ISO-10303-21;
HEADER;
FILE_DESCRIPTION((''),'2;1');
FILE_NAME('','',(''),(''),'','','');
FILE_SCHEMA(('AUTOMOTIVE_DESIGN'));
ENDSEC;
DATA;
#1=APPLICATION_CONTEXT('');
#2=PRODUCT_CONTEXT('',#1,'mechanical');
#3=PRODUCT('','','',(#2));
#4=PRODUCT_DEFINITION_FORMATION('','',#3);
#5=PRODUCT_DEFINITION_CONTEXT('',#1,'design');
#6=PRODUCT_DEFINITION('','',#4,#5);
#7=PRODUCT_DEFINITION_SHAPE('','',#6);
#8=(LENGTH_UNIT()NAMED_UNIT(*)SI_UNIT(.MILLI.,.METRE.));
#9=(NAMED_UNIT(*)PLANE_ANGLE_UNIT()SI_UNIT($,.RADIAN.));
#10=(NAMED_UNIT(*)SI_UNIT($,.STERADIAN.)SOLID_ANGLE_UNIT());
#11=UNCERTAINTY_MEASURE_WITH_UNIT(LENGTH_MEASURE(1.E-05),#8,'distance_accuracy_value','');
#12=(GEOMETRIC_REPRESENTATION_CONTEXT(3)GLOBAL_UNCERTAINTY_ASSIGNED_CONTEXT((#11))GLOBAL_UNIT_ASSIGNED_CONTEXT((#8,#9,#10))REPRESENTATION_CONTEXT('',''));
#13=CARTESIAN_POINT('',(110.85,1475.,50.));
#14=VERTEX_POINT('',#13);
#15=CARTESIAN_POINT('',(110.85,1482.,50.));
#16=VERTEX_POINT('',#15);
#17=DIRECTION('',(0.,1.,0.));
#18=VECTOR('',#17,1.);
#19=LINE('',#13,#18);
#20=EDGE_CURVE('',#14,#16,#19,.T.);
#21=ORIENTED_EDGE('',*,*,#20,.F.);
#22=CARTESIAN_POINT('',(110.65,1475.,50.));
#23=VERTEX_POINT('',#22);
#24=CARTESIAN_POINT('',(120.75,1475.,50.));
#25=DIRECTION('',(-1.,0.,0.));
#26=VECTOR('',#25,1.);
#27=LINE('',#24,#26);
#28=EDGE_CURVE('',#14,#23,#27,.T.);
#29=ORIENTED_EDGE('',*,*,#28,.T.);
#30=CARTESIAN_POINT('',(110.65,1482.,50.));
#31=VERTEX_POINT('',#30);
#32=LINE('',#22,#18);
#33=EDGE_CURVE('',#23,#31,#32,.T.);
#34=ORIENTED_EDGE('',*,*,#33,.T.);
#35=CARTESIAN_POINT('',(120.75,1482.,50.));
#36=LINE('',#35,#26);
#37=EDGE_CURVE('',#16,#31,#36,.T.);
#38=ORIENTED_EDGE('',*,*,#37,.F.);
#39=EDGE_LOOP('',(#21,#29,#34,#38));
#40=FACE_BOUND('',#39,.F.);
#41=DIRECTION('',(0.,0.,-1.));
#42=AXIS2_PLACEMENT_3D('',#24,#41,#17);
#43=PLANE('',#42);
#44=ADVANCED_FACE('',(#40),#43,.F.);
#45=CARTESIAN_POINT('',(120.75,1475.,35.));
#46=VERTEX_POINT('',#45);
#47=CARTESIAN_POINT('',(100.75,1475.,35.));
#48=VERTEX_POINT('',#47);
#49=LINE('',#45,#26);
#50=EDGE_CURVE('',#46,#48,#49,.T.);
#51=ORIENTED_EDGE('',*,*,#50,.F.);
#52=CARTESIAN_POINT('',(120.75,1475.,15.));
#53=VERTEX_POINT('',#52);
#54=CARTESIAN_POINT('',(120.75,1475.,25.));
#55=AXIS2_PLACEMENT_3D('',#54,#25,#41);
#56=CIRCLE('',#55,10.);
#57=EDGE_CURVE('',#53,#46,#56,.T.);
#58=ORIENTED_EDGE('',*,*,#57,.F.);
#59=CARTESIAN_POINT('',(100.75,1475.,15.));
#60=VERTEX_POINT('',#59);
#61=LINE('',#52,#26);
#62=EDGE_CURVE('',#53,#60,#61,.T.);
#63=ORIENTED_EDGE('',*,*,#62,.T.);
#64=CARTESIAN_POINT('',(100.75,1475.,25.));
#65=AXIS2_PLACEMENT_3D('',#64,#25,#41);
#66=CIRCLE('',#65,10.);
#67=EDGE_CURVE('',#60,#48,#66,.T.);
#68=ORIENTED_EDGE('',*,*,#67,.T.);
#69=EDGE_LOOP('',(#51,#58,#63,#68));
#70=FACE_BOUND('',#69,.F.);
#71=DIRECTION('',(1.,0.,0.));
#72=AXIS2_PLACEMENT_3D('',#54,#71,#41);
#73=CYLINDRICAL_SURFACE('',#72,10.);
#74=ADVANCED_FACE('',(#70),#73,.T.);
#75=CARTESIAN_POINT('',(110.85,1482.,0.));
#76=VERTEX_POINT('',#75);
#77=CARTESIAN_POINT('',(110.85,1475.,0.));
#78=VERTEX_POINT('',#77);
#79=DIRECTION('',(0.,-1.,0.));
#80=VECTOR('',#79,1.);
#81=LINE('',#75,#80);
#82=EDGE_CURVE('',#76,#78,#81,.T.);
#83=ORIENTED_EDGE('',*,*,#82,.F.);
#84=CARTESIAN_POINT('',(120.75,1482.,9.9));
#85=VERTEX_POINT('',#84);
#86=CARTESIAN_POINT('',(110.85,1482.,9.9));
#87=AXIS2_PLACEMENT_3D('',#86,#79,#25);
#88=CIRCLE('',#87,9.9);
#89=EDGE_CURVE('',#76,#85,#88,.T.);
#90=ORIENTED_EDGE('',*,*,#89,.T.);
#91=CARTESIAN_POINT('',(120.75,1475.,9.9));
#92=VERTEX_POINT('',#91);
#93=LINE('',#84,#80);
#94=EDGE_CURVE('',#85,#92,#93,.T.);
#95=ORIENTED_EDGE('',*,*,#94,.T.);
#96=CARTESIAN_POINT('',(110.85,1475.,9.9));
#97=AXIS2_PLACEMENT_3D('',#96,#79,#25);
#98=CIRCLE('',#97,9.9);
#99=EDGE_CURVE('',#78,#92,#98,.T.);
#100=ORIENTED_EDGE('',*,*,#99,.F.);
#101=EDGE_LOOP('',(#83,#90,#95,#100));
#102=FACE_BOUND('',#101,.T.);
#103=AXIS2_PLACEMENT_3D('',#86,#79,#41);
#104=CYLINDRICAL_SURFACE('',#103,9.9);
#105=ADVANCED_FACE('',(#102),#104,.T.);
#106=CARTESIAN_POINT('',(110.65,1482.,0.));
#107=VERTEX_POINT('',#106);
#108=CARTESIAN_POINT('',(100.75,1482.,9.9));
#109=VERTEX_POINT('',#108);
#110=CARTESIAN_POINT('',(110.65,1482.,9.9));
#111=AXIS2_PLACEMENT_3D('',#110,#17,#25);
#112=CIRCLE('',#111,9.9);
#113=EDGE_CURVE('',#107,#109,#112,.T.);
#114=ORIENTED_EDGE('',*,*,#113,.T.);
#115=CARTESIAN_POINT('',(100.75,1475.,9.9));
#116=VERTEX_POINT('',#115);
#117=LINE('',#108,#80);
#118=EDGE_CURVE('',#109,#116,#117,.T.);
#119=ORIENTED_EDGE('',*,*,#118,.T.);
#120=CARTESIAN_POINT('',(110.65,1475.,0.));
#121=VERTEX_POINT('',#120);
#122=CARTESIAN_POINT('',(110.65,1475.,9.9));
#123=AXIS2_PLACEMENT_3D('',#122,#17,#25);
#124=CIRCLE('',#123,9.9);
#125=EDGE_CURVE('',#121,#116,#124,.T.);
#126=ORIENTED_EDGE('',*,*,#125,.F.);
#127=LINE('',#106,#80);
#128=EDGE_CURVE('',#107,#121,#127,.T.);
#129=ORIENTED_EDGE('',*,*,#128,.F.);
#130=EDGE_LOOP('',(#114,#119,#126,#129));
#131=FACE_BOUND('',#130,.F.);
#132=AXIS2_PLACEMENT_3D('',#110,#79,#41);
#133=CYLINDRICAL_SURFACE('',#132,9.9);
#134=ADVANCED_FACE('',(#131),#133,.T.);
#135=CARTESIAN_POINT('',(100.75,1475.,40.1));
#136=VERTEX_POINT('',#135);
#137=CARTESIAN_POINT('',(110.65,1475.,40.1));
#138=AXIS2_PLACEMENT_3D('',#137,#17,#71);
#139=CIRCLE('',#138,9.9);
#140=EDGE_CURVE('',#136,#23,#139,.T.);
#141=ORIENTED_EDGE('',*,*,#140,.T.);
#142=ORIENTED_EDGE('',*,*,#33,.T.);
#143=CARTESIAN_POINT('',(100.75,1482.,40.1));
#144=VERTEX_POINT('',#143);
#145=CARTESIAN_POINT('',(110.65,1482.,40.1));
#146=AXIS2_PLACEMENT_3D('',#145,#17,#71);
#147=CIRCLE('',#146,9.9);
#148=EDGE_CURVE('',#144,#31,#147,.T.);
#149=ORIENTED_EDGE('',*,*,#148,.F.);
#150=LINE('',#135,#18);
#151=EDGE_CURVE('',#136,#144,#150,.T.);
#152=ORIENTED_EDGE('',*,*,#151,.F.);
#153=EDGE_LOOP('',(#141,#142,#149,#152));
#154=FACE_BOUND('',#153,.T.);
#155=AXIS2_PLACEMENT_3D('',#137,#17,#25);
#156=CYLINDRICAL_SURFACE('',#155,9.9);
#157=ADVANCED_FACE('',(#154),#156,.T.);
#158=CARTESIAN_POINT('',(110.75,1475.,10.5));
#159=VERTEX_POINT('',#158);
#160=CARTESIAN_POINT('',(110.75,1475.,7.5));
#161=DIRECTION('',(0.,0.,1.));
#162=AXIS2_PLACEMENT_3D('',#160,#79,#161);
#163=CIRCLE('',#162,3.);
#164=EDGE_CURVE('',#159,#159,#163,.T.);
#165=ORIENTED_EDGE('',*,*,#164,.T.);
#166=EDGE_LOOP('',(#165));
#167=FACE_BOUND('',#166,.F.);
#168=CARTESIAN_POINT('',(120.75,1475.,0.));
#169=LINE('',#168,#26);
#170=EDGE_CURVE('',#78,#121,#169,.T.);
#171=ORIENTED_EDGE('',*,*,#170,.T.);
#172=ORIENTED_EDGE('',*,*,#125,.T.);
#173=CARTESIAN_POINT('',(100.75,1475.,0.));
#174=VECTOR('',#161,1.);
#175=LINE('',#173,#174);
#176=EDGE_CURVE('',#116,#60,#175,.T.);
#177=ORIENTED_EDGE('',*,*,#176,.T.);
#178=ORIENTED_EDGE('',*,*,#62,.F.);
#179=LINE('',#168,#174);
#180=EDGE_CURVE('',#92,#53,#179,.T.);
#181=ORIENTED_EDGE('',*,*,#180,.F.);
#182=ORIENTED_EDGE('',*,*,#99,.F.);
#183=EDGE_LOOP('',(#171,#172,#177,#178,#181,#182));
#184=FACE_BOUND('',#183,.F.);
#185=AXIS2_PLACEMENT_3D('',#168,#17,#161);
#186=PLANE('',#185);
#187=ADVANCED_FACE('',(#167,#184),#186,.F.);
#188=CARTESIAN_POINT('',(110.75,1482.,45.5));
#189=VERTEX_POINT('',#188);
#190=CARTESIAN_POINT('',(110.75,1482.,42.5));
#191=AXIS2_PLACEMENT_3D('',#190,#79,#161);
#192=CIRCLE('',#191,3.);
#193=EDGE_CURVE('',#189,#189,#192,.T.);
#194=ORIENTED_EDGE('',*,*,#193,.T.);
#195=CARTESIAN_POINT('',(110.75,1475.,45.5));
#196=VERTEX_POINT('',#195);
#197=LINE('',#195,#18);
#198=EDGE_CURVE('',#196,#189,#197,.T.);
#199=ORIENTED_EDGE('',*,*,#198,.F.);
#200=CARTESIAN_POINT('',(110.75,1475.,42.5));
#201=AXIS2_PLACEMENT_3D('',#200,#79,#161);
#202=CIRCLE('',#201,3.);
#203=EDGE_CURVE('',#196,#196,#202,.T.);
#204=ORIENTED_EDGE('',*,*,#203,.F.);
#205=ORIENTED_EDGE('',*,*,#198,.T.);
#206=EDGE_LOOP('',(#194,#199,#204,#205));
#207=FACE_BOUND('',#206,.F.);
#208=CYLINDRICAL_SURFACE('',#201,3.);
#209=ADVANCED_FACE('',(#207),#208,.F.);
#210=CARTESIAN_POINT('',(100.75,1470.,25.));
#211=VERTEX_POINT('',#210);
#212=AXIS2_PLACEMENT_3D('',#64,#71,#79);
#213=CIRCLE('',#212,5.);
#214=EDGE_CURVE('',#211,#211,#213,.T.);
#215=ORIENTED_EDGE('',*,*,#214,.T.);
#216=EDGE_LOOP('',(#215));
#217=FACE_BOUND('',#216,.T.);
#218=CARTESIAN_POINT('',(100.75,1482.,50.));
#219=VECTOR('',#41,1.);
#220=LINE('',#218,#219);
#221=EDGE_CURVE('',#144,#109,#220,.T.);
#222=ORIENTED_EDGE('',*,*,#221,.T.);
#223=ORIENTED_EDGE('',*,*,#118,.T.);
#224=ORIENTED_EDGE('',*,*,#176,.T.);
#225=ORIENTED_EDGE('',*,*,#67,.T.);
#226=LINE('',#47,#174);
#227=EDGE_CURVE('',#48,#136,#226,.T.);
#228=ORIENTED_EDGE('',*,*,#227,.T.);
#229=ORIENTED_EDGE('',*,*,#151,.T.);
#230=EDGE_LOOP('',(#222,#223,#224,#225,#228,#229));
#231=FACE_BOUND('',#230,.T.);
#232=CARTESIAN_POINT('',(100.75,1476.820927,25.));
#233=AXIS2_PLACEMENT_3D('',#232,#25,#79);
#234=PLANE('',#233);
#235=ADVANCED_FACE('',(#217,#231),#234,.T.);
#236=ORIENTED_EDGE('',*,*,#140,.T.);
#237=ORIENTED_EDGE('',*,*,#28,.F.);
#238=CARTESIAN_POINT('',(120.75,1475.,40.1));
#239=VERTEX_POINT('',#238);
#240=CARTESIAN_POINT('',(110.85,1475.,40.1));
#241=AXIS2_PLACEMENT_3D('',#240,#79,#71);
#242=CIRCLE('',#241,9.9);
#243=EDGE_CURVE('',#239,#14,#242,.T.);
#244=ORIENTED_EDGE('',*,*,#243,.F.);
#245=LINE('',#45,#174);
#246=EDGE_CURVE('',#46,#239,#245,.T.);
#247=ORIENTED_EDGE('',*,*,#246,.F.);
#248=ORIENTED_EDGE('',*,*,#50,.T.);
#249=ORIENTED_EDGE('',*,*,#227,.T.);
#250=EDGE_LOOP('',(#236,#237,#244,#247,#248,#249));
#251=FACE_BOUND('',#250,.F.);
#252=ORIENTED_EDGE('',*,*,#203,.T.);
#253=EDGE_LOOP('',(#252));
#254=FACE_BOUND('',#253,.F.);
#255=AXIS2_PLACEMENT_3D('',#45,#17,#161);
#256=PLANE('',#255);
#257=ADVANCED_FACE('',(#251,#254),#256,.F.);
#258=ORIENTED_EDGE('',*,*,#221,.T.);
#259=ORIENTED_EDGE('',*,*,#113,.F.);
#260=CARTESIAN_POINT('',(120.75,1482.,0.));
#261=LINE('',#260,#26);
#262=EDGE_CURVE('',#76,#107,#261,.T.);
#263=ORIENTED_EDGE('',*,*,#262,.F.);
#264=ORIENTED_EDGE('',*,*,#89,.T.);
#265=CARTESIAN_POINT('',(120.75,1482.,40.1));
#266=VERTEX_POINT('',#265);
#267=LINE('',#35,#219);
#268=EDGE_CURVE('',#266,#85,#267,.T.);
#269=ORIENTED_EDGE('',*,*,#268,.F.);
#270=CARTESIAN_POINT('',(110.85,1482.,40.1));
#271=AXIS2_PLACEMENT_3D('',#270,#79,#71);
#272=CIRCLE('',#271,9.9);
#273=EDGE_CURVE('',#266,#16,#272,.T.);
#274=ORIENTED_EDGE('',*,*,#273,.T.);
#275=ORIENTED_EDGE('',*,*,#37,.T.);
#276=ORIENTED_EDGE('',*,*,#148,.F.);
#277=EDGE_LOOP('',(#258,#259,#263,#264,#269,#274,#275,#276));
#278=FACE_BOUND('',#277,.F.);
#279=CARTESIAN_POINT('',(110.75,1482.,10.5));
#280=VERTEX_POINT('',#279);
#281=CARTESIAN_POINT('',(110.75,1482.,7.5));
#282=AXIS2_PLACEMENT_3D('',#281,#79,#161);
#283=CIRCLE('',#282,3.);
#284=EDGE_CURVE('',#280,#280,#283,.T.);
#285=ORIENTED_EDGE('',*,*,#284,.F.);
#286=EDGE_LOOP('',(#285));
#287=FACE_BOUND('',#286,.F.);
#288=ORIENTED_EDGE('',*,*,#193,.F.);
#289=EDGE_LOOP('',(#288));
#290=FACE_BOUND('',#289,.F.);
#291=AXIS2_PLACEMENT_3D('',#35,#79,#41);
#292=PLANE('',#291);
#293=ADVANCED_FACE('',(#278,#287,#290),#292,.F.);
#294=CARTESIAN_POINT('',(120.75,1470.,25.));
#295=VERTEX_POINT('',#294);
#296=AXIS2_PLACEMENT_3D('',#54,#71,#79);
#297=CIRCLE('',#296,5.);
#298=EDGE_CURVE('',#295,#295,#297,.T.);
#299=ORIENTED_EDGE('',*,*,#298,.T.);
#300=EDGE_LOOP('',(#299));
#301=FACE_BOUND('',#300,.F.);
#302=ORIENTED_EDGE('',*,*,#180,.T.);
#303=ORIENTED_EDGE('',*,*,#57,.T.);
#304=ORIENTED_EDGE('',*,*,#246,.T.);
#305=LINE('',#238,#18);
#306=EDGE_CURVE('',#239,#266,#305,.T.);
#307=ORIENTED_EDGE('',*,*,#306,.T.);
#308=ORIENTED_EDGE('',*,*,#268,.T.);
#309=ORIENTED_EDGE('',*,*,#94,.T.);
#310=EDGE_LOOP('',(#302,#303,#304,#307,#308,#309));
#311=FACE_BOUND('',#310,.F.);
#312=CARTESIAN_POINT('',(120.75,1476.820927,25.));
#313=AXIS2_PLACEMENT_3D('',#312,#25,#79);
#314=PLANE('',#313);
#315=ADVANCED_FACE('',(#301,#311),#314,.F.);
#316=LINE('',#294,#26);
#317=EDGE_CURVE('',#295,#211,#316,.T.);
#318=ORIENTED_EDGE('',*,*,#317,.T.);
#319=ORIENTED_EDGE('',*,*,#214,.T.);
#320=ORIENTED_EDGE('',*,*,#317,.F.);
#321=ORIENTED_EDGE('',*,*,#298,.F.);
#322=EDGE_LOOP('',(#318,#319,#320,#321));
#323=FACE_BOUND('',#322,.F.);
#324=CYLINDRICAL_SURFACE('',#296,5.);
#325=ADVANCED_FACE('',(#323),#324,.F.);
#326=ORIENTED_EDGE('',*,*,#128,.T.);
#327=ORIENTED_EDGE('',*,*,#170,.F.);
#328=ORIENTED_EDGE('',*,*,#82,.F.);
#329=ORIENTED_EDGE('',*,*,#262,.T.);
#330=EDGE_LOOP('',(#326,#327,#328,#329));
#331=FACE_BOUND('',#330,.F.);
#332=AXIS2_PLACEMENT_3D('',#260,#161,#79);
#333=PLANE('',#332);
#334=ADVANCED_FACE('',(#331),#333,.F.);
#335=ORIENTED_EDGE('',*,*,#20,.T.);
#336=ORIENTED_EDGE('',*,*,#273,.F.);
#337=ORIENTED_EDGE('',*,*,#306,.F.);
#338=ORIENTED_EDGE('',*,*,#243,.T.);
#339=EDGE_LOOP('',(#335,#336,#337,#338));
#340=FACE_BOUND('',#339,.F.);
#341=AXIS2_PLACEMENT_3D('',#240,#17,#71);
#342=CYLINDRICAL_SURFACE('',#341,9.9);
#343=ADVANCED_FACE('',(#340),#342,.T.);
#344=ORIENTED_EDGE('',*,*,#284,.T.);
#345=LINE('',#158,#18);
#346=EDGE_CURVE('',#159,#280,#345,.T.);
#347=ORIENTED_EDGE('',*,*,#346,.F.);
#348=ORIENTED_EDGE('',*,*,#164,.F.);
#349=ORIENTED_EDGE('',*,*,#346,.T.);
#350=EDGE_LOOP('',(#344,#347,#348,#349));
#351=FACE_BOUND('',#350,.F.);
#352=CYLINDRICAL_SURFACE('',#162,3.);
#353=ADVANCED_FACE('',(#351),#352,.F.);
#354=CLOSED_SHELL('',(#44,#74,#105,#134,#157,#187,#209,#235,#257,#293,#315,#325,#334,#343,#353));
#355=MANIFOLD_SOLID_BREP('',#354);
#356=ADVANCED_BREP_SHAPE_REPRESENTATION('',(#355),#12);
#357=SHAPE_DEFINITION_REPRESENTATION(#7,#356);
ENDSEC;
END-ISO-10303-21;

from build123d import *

# Parameters (mm, degrees)
PAD030_DEPTH             = 20
SKETCH021_R              = 5
POCKET001006_DEPTH       = 20.001
FILLET_R                 = 9.9
SKETCH024_R              = 3
POCKET002_DEPTH          = 7.001
CLONE076_ROLL_ANGLE      = 90
CLONE076_PLACEMENT_ANGLE = -90


with BuildPart() as part:
    # Sketch020 → Pad030 (new body)
    with BuildSketch(Plane.XY):
        with BuildLine():
            Line((18, 0), (25, 0))
            Line((25, 0), (25, 15))
            ThreePointArc((25, 15), (35, 25), (25, 35))
            Line((25, 35), (25, 50))
            Line((25, 50), (18, 50))
            Line((18, 50), (18, 0))
        make_face()
    extrude(amount=PAD030_DEPTH)

    # Sketch021 → Pocket001006 (cut, through all)
    with BuildSketch(Plane(origin=(0, 0, 0), x_dir=(1, 0, 0), z_dir=(0, 0, -1))):
        with Locations((25, -25)):
            Circle(SKETCH021_R)
    extrude(amount=-POCKET001006_DEPTH, mode=Mode.SUBTRACT)

    # Fillet
    fillet_edges = [part.edges().sort_by_distance(p)[0] for p in [
        (21.5, 0, 0),
        (21.5, 50, 0),
        (21.5, 50, 20),
        (21.5, 0, 20),
    ]]
    fillet(fillet_edges, radius=FILLET_R)

    # Sketch024 → Pocket002 (cut, through all)
    with BuildSketch(Plane.YZ.offset(25)):
        with Locations((7.5, 10)):
            Circle(SKETCH024_R)
        with Locations((42.5, 10)):
            Circle(SKETCH024_R)
    extrude(amount=-POCKET002_DEPTH, mode=Mode.SUBTRACT)


with BuildPart() as part_1:
    # Clone076 roll: moved
    add(part.part.rotate(Axis((0, 0, 0), (1, 0, 0)), CLONE076_ROLL_ANGLE))


with BuildPart() as part_2:
    # Clone076 placement: moved
    add(part_1.part.moved(Location((120.75, 1500, 0))).rotate(Axis((120.75, 1500, 0), (0, 0, 1)), CLONE076_PLACEMENT_ANGLE))


solid = part_2.part
